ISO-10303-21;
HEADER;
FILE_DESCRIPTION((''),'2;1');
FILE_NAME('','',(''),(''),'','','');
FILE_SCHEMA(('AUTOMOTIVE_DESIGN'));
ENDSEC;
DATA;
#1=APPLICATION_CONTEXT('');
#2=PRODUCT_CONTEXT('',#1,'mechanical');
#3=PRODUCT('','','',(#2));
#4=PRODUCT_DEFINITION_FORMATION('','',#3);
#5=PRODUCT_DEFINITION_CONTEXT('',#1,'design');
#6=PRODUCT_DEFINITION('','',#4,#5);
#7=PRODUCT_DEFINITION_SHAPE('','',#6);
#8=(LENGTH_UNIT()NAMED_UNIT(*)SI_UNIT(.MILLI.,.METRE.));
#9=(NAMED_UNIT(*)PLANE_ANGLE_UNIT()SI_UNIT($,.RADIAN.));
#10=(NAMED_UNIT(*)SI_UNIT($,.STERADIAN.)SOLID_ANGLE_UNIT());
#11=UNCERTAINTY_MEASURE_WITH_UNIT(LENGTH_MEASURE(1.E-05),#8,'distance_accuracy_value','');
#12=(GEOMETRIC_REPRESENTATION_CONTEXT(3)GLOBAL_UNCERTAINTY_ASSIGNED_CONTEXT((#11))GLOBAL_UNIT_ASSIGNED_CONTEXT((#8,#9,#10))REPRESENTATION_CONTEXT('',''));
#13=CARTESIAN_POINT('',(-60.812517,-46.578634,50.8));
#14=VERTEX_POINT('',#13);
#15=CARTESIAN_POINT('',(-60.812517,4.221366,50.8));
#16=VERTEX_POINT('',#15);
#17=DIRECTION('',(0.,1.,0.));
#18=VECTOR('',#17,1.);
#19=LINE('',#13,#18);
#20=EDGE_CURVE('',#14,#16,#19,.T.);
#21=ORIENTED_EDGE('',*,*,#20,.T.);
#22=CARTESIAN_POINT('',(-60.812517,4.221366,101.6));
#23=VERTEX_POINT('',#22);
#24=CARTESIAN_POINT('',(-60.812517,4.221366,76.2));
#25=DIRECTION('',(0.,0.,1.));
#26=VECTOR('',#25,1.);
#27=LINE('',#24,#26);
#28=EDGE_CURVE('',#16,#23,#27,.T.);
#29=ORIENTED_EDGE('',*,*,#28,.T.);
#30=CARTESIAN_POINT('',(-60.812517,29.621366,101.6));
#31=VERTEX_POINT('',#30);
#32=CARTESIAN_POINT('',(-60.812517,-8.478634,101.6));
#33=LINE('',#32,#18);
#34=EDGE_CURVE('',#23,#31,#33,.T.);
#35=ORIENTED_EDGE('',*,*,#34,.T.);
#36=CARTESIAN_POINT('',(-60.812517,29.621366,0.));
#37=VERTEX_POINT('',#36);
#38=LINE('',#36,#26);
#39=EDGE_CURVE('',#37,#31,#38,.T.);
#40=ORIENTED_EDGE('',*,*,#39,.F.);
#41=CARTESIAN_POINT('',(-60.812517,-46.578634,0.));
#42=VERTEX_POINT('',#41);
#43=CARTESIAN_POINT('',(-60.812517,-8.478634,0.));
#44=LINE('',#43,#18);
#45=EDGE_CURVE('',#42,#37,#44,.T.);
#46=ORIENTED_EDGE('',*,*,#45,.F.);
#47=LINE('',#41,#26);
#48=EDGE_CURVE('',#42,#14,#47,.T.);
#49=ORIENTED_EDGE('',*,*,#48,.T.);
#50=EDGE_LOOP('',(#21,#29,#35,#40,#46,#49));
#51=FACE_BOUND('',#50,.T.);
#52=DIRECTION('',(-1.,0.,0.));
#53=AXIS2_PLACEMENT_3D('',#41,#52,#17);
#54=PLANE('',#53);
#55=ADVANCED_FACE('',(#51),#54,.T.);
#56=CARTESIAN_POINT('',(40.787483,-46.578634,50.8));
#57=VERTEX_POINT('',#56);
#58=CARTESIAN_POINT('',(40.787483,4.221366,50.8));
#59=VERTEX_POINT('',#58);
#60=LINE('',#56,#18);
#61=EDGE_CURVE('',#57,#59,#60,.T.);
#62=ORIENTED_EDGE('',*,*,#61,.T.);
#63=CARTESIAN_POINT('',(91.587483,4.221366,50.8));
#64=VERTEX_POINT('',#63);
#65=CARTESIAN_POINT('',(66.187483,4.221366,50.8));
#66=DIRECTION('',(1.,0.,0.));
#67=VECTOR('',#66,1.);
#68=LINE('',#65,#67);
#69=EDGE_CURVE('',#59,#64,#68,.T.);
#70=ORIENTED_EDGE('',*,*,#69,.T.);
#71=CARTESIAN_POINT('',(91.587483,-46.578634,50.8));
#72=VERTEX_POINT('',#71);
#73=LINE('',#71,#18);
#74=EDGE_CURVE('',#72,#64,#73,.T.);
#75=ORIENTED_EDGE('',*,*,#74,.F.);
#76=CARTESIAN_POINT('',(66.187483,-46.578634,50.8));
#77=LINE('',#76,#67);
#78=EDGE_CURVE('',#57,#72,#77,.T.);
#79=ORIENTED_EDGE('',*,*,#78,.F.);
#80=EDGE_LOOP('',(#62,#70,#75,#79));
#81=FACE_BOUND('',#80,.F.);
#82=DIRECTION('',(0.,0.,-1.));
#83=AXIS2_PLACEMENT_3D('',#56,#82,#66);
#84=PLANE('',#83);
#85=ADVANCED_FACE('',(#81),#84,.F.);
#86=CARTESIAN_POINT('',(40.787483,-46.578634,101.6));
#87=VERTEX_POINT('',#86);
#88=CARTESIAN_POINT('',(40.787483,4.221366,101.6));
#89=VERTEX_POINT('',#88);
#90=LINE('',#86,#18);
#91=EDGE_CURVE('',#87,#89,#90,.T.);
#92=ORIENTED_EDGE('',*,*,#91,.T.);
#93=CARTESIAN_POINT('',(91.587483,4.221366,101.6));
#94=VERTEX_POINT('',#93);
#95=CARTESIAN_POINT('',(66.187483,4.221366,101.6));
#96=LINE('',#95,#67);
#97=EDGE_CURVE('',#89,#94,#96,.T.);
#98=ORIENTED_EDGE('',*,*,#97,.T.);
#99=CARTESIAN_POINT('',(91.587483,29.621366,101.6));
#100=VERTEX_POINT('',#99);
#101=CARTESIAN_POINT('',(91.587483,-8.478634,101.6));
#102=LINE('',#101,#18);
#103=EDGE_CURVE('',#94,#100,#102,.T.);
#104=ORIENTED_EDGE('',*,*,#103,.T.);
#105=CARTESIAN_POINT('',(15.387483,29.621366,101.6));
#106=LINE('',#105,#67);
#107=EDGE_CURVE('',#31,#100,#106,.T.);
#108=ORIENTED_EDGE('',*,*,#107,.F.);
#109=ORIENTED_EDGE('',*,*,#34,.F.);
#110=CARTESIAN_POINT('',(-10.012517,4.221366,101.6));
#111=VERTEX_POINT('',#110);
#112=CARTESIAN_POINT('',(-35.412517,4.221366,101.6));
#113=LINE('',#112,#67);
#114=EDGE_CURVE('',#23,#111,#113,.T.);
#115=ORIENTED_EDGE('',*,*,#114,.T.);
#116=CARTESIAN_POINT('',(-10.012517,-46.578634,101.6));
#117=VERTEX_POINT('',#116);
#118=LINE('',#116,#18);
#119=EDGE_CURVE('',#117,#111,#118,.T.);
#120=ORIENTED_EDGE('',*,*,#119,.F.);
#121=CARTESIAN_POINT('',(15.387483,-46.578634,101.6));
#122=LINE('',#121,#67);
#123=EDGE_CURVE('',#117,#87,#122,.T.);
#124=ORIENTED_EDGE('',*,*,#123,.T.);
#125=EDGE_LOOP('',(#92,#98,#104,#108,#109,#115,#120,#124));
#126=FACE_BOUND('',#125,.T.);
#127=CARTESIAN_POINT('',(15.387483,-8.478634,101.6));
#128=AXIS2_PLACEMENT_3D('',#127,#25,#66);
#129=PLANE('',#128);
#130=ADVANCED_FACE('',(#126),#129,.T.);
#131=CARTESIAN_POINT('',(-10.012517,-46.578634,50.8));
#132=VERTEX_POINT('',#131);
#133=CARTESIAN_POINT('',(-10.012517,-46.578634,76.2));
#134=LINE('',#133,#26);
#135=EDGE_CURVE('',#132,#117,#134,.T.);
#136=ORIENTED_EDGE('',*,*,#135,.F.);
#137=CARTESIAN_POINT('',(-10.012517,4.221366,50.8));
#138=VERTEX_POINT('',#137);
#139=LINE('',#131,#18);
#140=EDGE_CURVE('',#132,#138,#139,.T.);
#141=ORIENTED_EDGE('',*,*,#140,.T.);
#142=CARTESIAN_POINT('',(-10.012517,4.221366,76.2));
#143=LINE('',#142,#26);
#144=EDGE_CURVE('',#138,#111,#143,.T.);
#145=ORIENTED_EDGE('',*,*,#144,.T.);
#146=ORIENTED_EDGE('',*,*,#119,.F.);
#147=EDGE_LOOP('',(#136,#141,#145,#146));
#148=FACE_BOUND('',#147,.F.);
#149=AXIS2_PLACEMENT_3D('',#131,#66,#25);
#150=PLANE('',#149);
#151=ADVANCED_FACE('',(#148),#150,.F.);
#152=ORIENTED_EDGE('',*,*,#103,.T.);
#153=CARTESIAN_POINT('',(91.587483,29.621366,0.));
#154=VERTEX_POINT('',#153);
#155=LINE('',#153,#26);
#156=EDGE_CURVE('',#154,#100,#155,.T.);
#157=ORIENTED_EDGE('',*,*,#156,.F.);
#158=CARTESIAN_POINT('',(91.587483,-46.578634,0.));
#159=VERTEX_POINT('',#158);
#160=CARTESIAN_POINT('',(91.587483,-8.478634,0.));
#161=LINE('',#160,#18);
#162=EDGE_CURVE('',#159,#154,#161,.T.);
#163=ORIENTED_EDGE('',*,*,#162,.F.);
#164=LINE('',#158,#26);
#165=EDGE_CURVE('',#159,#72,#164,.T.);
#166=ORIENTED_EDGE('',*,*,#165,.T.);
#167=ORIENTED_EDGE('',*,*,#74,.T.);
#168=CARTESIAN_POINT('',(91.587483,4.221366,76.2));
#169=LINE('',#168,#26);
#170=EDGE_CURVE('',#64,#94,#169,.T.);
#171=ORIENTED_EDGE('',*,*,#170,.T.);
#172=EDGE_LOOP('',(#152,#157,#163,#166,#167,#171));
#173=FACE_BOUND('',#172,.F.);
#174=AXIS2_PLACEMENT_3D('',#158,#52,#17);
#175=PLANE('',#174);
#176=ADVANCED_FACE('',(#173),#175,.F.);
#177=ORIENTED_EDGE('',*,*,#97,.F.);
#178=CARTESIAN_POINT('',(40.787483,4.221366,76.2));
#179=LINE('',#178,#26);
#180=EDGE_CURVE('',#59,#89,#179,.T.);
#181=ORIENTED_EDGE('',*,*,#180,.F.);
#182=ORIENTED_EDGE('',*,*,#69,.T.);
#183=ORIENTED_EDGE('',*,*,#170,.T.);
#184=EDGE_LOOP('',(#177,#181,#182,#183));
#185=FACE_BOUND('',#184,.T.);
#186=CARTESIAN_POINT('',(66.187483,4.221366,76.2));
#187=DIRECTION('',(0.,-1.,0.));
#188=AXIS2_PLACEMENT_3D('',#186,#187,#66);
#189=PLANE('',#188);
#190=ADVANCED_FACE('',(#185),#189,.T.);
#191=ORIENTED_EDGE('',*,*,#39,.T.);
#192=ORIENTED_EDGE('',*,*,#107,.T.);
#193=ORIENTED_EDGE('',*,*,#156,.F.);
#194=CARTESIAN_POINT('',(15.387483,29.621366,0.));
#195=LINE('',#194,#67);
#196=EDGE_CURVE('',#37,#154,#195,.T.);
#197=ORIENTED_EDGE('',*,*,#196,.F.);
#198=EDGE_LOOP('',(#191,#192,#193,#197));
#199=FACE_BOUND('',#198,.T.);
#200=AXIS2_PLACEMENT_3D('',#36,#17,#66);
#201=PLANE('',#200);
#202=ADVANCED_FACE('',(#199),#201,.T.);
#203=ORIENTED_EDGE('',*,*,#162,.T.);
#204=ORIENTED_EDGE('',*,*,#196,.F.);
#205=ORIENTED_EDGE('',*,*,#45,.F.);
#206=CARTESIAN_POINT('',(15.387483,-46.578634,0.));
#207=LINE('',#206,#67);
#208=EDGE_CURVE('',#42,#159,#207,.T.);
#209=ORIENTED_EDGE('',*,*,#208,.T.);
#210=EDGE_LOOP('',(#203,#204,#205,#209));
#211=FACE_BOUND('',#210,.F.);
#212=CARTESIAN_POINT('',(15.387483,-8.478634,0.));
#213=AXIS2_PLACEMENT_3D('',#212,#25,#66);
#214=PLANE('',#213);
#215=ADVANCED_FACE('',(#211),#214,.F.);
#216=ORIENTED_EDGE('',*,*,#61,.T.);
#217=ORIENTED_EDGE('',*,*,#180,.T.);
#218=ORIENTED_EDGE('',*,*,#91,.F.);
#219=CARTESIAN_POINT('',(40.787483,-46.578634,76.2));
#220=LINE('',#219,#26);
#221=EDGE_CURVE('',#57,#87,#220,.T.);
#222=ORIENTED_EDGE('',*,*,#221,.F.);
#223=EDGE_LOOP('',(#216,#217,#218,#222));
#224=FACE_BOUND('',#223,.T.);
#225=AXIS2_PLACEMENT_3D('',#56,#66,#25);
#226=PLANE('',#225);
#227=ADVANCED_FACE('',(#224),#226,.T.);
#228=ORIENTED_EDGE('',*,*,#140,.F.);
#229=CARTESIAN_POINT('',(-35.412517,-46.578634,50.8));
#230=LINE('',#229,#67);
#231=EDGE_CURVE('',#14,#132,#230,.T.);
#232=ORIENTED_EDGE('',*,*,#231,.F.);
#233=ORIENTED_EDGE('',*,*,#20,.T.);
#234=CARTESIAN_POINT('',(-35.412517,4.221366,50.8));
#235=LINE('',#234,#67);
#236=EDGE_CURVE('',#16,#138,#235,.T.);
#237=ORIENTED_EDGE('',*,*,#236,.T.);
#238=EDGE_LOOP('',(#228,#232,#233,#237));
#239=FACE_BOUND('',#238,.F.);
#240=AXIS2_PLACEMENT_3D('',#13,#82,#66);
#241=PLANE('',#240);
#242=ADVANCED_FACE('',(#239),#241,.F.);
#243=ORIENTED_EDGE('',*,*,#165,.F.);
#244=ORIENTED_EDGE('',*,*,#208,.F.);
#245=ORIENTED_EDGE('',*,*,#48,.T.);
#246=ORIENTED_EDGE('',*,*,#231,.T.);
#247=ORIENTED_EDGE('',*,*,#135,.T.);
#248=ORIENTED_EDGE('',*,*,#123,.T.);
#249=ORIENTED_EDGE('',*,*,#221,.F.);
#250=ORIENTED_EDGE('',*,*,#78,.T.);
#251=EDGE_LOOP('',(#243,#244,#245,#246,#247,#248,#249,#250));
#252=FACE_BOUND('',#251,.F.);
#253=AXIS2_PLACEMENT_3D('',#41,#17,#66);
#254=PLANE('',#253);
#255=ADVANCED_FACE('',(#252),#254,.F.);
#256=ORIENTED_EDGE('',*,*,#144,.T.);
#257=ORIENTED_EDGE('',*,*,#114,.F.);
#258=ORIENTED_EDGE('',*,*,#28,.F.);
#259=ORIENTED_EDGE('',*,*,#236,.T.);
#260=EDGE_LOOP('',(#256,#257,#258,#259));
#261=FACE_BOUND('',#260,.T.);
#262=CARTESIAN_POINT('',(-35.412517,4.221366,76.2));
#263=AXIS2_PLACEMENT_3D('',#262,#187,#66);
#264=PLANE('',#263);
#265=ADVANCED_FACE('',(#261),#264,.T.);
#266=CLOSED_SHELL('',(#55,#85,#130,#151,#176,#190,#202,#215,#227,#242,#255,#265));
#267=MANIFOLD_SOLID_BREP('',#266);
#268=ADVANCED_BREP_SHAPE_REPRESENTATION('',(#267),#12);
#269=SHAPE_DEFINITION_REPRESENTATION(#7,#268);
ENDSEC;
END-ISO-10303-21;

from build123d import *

# Parameters (mm, degrees)
F0_W     = 152.4
F0_H     = 76.2
F1_DEPTH = 101.6
F2_W     = 50.8
F2_H     = 50.8
F3_DEPTH = 50.8
F4_DEPTH = 50.8


with BuildPart() as f1:
    # F0 (on Top) → F1 (new body)
    with BuildSketch(Plane.XY):
        with Locations((15.3874829412, -8.4786337945)):
            Rectangle(F0_W, F0_H)
    extrude(amount=F1_DEPTH)

    # F2 (on face) → F3 (cut)
    with BuildSketch(Plane.XZ.offset(46.5786337945)):
        with Locations((-35.4125170588, 76.2)):
            Rectangle(F2_W, F2_H)
    extrude(amount=-F3_DEPTH, mode=Mode.SUBTRACT)

    # F2 (on face) → F4 (cut)
    with BuildSketch(Plane.XZ.offset(46.5786337945)):
        with Locations((66.1874829412, 76.2)):
            Rectangle(F2_W, F2_H)
    extrude(amount=-F4_DEPTH, mode=Mode.SUBTRACT)


solid = f1.part
